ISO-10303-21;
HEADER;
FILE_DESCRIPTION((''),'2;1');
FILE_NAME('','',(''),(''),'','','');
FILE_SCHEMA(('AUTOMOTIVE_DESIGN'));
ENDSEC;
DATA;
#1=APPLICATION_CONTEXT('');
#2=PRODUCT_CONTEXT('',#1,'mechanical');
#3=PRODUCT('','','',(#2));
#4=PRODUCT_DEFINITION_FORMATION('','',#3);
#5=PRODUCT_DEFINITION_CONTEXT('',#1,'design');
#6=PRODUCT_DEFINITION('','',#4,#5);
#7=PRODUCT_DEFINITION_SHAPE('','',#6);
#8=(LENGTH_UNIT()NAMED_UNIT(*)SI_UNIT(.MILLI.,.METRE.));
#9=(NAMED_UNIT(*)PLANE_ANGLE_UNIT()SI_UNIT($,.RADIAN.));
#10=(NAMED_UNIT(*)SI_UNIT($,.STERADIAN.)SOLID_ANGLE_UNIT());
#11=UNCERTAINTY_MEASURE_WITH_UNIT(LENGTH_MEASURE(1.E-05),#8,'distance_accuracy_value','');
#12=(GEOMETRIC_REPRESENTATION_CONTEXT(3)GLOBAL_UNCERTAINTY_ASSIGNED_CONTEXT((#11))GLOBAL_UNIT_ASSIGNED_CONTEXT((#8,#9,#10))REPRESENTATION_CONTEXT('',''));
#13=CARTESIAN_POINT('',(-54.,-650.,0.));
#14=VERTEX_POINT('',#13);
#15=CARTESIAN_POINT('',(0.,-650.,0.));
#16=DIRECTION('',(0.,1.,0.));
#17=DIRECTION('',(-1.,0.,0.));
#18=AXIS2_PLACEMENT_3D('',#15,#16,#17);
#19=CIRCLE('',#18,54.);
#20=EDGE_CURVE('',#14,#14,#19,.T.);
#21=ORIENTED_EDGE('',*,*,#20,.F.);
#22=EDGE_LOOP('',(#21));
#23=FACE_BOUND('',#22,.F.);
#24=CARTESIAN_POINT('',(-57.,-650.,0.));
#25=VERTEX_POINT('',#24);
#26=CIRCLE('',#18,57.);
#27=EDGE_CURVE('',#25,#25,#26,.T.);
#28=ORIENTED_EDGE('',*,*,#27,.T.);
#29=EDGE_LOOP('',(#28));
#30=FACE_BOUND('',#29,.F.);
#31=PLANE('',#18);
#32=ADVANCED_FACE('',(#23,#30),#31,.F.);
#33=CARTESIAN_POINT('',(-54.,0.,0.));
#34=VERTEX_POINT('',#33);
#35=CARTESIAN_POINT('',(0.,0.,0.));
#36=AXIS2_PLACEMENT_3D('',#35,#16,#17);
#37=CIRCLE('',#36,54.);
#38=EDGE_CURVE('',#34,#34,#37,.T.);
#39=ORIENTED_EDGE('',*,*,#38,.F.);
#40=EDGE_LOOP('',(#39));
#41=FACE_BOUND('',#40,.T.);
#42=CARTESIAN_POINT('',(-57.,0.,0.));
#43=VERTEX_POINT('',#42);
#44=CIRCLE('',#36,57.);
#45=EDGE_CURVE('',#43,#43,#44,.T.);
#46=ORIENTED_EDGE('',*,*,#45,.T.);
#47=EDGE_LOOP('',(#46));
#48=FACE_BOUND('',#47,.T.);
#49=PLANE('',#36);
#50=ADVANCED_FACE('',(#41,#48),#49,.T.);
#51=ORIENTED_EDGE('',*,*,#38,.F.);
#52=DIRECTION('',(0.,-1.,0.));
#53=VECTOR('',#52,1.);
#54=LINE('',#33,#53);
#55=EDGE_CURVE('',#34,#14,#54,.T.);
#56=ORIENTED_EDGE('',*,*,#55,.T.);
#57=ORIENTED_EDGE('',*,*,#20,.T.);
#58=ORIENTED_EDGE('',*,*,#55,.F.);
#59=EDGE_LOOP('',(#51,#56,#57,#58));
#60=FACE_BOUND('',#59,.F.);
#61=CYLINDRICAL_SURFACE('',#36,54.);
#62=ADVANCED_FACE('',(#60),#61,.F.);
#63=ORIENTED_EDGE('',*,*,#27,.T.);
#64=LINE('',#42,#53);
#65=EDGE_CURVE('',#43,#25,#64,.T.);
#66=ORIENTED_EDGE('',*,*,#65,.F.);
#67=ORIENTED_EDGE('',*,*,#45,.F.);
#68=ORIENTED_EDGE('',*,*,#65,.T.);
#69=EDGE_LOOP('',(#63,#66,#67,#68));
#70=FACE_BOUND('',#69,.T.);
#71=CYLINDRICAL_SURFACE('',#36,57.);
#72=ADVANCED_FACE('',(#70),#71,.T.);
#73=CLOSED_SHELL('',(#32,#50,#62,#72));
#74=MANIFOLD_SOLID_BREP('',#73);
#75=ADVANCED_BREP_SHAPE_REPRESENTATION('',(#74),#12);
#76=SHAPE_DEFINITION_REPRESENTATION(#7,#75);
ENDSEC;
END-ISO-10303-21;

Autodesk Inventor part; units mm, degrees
ref_plane "YZ Plane" through (0, 0, 0) normal (1, 0, 0) x (0, 1, 0)
ref_plane "XZ Plane" through (0, 0, 0) normal (0, 1, 0) x (-1, 0, 0)
ref_plane "XY Plane" through (0, 0, 0) normal (0, 0, 1) x (1, 0, 0)
sketch "Sketch1" plane through (0, 0, 0) normal (0, 1, 0) x (-1, 0, 0)
  circle A0 centre (0, 0) radius 57
  circle A1 centre (0, 0) radius 54
  dimension "d0" = 114
  dimension "d1" = 3
extrude "Extrusion1" add sketch "Sketch1" against normal blind 650
properties part number "APN 1433 FDS tube 3" material "Steel"
